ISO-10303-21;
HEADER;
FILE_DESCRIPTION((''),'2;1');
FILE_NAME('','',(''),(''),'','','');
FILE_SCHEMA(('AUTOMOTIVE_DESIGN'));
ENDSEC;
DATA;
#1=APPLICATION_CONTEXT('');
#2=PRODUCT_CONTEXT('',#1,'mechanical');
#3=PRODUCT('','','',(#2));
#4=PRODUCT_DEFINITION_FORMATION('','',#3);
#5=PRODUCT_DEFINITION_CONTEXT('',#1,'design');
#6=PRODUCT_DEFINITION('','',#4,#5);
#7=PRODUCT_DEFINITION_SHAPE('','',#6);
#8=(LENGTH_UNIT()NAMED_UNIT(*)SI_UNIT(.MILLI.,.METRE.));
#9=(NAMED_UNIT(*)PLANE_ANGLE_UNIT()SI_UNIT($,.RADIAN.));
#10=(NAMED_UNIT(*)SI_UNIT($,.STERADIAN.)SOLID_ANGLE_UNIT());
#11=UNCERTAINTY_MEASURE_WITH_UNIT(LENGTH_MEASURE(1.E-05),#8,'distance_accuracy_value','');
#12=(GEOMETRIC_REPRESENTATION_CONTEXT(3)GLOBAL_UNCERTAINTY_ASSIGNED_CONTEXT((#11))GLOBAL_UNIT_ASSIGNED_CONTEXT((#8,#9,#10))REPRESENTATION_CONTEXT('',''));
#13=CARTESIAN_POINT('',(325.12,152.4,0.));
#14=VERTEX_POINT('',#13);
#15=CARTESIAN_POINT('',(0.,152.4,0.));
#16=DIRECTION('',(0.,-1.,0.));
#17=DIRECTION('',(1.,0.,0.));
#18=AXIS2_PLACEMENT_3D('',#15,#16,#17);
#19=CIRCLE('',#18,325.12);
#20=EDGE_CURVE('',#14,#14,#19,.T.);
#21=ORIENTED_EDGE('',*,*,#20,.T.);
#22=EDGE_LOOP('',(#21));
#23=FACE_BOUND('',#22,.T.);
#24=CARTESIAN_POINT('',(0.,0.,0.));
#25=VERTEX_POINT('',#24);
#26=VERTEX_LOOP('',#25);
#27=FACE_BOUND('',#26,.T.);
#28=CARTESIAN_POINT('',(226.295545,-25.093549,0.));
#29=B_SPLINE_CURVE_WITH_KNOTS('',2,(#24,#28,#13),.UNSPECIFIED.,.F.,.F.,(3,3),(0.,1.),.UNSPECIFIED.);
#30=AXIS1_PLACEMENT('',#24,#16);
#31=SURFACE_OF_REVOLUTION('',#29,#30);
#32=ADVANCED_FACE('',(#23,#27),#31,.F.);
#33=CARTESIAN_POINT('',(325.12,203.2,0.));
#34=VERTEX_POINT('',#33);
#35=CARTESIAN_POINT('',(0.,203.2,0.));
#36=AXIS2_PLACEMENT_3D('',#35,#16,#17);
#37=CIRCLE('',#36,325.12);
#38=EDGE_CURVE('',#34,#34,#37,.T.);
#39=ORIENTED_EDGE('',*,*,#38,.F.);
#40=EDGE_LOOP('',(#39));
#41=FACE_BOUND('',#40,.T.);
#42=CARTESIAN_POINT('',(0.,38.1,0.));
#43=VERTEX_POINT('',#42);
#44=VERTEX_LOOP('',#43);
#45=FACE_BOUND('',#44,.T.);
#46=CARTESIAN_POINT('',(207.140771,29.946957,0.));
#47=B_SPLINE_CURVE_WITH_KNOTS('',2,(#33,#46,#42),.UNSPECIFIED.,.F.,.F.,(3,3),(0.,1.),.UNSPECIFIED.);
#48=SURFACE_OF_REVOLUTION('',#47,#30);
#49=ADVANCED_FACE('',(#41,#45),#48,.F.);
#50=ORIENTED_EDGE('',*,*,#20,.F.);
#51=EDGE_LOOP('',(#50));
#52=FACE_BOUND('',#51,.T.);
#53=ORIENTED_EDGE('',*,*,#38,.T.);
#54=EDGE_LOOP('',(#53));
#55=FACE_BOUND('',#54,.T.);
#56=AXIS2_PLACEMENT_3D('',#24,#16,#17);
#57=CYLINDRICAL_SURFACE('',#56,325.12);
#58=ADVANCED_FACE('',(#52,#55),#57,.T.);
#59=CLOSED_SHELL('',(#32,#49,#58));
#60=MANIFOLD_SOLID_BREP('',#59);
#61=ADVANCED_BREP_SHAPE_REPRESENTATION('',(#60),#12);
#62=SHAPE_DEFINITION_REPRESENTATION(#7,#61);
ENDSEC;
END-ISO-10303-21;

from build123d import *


with BuildPart() as part:
    # Sketch1 → Revolve1 (revolve)
    with BuildSketch(Plane.XY):
        with BuildLine():
            Line((0, 0), (0, 38.1))
            add(Edge.make_bspline(
                [(0, 38.1), (207.140771479, 29.946956963), (325.12, 203.2)],
                knots=[0, 0, 0, 1, 1, 1], degree=2))
            Line((325.12, 203.2), (325.12, 152.4))
            add(Edge.make_bspline(
                [(0, 0), (226.295545369, -25.093549204), (325.12, 152.4)],
                knots=[0, 0, 0, 1, 1, 1], degree=2))
        make_face()
    revolve(axis=Axis((0, 0, 0), (0, 1, 0)))


solid = part.part
